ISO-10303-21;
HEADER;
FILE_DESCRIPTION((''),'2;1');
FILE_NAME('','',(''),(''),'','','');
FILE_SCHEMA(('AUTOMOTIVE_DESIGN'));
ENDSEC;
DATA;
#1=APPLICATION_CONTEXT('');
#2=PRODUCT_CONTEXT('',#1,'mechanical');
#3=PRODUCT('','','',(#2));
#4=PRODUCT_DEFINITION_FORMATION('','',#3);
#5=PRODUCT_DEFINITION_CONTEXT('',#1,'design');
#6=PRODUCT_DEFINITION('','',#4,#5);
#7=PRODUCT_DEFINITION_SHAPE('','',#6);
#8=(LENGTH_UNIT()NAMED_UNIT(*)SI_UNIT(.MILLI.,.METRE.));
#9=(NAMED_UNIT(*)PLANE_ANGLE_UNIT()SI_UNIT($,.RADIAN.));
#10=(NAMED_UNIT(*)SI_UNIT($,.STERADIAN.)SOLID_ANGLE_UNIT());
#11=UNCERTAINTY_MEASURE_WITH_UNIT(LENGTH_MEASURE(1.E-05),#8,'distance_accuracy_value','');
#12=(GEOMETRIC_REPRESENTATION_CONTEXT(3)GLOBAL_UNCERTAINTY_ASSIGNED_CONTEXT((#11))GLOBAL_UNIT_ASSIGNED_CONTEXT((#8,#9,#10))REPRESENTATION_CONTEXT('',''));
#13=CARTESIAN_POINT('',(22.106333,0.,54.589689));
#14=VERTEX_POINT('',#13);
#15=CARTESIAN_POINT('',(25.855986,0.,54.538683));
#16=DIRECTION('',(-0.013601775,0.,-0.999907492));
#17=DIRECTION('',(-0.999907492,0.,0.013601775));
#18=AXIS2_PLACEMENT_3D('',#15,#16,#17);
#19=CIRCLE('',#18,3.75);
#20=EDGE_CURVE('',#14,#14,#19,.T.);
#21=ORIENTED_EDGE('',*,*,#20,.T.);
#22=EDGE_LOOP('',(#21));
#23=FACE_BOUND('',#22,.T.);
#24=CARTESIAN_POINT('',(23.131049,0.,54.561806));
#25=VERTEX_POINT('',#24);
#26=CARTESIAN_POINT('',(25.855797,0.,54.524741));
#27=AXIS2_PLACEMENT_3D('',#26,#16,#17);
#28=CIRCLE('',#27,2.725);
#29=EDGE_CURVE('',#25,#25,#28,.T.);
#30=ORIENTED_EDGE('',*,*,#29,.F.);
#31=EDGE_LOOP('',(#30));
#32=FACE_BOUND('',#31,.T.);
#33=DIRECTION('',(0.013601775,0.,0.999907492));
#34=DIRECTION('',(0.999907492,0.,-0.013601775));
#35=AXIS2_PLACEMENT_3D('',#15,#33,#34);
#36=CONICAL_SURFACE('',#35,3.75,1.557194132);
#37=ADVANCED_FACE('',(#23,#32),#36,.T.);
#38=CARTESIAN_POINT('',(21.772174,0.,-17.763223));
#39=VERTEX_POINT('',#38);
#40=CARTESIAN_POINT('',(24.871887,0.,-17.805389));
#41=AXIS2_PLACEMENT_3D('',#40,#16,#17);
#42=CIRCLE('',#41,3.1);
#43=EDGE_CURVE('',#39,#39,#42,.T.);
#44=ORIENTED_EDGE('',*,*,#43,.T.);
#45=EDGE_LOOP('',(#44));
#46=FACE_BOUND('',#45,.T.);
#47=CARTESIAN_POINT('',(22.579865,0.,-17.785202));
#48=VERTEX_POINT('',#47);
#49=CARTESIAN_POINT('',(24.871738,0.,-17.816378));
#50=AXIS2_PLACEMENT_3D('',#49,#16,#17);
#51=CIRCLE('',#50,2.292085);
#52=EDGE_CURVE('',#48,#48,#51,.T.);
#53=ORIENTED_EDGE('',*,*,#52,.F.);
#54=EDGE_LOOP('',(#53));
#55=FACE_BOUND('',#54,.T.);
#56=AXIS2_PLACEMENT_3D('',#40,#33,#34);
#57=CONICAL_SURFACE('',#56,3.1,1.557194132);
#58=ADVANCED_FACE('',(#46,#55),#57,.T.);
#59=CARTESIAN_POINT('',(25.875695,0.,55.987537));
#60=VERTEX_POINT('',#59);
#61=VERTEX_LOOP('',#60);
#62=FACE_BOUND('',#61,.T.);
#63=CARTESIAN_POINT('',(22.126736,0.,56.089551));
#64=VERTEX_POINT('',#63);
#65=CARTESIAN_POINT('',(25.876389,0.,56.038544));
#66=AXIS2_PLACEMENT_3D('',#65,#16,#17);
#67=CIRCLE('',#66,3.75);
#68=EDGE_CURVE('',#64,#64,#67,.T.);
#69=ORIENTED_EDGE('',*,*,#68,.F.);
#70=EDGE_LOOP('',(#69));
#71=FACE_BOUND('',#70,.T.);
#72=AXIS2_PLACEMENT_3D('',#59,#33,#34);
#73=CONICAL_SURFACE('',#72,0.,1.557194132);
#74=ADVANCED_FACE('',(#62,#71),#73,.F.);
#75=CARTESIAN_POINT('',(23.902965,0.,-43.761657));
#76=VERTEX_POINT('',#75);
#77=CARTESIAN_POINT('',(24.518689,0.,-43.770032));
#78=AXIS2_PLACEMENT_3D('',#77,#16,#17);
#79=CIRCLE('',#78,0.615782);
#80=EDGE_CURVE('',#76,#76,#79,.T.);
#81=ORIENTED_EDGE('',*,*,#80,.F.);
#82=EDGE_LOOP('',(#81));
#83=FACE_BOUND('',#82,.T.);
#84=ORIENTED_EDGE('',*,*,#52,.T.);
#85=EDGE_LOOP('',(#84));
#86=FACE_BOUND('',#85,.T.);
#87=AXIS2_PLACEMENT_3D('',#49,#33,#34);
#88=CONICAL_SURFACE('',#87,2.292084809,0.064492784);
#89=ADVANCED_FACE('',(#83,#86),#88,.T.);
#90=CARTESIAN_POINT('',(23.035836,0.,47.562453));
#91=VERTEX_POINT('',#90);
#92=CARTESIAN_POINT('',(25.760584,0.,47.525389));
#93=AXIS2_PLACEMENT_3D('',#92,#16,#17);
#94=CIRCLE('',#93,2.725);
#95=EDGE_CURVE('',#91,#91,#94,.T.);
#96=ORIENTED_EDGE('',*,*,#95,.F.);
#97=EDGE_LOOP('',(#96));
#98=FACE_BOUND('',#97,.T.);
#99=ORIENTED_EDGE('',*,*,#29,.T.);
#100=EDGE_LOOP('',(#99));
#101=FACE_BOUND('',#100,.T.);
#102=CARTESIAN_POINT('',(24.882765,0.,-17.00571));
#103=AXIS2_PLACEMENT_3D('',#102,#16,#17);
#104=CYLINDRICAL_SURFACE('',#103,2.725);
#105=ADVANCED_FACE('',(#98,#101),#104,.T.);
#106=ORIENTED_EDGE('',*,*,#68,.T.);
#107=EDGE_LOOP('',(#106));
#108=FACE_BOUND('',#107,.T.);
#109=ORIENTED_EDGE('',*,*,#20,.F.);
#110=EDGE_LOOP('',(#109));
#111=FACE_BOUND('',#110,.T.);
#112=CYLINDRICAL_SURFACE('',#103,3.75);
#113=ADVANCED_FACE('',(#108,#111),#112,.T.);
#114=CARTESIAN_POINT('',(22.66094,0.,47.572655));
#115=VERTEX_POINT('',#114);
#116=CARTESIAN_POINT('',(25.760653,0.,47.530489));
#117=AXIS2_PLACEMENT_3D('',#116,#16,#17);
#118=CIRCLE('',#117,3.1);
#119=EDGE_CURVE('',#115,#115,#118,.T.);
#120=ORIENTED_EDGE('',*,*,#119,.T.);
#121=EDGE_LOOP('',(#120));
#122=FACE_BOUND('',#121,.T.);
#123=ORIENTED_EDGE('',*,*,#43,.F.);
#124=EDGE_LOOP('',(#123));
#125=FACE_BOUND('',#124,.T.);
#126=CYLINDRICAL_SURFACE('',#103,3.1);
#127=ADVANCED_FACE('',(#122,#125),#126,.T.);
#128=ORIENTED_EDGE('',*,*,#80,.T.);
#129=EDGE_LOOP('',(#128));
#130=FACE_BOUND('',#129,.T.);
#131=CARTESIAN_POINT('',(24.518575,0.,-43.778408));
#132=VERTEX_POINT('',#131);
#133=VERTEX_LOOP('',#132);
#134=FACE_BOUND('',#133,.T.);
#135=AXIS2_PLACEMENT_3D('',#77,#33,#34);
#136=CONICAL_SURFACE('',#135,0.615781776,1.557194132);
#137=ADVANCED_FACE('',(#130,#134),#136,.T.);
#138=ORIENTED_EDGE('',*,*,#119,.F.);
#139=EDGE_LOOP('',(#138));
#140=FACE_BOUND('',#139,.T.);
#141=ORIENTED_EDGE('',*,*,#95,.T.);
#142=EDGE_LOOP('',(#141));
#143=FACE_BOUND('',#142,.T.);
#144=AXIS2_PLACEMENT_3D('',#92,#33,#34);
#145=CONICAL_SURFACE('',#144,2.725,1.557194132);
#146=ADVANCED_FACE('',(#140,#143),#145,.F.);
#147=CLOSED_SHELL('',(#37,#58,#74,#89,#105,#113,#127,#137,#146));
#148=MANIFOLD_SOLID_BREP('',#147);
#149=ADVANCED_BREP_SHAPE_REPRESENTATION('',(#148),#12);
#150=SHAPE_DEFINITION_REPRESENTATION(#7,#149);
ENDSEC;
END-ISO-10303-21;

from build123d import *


with BuildPart() as part:
    # Sketch2 → Revolve4 (revolve)
    with BuildSketch(Plane(origin=(0, 0, 0), x_dir=(1, 0, 0), z_dir=(0, 1, 0))):
        Polygon((24.882765403, 17.005709542), (25.875695003, -55.987537343), (29.626041942, -55.987537343), (29.605639279, -54.487676105), (28.580544449, -54.487676105), (28.485332021, -47.488323664), (28.860366715, -47.488323664), (27.97160056, 17.8475545), (27.163610623, 17.8475545), (25.134414226, 43.778408192), (24.518575479, 43.778408192), align=None)
    revolve(axis=Axis((24.882765403, 0, -17.005709542), (0.013601775, 0, 0.999907492)))


solid = part.part
